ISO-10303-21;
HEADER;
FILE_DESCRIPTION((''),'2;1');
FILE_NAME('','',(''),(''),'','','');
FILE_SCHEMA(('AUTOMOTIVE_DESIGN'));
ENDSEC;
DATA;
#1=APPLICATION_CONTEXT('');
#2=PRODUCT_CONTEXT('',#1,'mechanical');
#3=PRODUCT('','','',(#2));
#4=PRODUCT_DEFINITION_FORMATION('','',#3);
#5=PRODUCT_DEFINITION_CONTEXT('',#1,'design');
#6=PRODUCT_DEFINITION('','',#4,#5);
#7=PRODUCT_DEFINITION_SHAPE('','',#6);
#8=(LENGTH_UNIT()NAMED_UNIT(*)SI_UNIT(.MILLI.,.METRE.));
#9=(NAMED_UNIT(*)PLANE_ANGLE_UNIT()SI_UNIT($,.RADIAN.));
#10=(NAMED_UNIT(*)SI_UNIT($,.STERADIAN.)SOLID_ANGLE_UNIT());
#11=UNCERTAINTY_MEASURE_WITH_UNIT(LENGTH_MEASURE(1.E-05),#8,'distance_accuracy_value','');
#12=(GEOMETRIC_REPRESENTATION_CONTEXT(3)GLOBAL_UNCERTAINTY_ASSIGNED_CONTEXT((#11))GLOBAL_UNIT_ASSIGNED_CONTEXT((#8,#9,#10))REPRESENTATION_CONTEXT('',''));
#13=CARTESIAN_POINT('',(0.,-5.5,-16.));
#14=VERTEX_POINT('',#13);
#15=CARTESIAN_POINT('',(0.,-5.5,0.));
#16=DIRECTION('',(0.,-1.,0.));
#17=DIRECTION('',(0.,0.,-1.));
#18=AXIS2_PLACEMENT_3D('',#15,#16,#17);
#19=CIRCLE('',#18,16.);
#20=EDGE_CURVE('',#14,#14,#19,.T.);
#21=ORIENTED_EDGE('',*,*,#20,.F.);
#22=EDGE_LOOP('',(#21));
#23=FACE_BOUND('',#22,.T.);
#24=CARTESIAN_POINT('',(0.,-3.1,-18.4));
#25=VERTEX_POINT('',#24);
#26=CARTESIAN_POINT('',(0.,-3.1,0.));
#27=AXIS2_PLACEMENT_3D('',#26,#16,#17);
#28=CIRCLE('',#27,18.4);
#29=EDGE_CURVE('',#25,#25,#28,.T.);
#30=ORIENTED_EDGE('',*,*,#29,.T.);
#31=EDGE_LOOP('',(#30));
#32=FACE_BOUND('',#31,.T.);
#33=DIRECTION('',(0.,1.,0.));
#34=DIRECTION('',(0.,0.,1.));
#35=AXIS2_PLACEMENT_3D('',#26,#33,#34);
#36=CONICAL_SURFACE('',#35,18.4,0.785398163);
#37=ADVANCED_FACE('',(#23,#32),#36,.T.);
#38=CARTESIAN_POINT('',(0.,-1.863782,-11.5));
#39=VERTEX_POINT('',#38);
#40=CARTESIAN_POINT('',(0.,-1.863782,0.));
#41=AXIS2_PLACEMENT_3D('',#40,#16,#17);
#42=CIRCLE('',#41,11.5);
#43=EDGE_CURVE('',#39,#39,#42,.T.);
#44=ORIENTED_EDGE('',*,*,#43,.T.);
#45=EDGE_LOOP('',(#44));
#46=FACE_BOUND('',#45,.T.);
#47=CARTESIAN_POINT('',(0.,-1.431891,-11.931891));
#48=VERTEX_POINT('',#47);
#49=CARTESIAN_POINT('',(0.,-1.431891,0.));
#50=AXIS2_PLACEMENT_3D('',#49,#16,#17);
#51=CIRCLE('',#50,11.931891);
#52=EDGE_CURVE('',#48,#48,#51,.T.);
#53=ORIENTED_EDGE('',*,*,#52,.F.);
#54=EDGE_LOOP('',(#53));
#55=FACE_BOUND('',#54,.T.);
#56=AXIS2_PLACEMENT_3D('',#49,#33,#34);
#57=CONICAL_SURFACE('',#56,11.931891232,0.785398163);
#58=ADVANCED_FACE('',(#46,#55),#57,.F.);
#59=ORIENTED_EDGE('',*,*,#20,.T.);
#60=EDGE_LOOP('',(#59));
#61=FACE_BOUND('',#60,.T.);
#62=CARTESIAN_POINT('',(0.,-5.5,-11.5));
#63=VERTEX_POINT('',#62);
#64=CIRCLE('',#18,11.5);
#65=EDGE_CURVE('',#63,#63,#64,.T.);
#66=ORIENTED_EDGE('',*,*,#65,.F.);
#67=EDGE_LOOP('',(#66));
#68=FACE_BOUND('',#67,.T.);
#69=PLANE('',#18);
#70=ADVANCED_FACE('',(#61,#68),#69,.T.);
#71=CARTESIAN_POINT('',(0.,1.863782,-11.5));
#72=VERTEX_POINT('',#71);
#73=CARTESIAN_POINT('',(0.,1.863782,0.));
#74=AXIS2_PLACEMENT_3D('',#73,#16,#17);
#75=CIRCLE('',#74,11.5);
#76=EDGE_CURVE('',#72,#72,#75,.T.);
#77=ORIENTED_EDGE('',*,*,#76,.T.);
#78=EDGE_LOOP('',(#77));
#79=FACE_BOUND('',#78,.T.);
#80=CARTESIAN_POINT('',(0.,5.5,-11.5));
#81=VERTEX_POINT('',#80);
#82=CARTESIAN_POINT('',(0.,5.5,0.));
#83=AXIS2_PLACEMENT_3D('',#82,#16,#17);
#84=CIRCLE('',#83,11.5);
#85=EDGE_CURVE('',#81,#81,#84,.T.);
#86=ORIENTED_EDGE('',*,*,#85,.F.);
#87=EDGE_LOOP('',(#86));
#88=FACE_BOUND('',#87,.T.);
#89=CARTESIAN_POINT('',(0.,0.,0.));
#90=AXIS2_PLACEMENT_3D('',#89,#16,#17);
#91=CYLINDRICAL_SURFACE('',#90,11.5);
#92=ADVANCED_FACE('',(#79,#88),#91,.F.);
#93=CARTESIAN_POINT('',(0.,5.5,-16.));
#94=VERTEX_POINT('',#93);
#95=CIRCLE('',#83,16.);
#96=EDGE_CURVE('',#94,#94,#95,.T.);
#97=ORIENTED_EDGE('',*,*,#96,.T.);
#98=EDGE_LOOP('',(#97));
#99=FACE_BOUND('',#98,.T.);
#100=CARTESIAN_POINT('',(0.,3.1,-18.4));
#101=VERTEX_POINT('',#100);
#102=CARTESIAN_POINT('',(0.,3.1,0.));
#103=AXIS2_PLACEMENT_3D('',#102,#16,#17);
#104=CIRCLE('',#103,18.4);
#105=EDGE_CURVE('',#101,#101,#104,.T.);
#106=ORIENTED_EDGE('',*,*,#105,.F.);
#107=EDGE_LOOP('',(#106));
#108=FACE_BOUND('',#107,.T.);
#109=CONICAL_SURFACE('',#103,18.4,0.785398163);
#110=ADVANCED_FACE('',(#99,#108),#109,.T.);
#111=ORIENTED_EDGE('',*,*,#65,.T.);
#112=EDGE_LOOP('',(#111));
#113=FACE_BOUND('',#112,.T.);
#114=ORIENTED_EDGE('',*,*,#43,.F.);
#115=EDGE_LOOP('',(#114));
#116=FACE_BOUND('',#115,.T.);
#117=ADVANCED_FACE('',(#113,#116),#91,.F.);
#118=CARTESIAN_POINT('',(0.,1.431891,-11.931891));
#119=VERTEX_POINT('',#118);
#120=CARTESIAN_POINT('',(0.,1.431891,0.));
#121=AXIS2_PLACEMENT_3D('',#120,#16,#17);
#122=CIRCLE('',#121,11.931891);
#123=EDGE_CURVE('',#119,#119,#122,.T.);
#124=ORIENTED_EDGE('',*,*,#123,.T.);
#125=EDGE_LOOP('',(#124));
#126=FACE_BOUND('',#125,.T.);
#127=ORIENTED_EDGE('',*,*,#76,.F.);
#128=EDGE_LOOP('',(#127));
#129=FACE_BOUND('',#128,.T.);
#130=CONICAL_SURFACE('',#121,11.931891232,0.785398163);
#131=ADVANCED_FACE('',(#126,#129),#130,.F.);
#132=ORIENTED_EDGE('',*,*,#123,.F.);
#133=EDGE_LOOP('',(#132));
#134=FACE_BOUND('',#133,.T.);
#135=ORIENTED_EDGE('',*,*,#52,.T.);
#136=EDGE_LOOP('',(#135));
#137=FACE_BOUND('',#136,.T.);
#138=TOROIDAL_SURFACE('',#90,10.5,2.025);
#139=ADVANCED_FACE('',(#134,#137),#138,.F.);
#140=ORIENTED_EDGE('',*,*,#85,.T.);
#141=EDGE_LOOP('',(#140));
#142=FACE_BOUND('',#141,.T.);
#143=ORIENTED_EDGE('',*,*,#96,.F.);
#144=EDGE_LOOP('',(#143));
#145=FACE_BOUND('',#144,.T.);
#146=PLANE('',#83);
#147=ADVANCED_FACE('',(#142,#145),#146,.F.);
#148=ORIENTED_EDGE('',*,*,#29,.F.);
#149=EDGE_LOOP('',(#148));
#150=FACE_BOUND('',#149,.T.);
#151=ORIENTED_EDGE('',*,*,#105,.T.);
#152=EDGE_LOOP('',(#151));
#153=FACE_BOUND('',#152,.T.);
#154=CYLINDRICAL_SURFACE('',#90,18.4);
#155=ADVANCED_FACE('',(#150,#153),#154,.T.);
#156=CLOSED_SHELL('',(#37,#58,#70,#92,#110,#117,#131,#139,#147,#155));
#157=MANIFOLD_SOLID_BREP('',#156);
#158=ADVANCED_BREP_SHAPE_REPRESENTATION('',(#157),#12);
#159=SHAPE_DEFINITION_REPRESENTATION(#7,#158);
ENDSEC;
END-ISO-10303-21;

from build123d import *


with BuildPart() as part:
    # Sketch2 → Revolve2 (revolve)
    with BuildSketch(Plane.XY, mode=Mode.PRIVATE) as revolve2_sk:
        with BuildLine():
            ThreePointArc((11.931891232, -1.431891232), (12.525, 0), (11.931891232, 1.431891232))
            Line((11.931891232, 1.431891232), (11.5, 1.863782464))
            Line((11.5, 1.863782464), (11.5, 5.5))
            Line((11.5, 5.5), (16, 5.5))
            Line((16, 5.5), (16, -5.5))
            Line((16, -5.5), (11.5, -5.5))
            Line((11.5, -5.5), (11.5, -1.863782464))
            Line((11.5, -1.863782464), (11.931891232, -1.431891232))
        make_face()
        Polygon((18.4, -3.1), (16, -5.5), (16, 5.5), (18.4, 3.1), align=None)
    revolve(revolve2_sk.sketch.rotate(Axis((0, 0, 0), (0, 1, 0)), 90), axis=Axis((0, 0, 0), (0, 1, 0)))


solid = part.part
